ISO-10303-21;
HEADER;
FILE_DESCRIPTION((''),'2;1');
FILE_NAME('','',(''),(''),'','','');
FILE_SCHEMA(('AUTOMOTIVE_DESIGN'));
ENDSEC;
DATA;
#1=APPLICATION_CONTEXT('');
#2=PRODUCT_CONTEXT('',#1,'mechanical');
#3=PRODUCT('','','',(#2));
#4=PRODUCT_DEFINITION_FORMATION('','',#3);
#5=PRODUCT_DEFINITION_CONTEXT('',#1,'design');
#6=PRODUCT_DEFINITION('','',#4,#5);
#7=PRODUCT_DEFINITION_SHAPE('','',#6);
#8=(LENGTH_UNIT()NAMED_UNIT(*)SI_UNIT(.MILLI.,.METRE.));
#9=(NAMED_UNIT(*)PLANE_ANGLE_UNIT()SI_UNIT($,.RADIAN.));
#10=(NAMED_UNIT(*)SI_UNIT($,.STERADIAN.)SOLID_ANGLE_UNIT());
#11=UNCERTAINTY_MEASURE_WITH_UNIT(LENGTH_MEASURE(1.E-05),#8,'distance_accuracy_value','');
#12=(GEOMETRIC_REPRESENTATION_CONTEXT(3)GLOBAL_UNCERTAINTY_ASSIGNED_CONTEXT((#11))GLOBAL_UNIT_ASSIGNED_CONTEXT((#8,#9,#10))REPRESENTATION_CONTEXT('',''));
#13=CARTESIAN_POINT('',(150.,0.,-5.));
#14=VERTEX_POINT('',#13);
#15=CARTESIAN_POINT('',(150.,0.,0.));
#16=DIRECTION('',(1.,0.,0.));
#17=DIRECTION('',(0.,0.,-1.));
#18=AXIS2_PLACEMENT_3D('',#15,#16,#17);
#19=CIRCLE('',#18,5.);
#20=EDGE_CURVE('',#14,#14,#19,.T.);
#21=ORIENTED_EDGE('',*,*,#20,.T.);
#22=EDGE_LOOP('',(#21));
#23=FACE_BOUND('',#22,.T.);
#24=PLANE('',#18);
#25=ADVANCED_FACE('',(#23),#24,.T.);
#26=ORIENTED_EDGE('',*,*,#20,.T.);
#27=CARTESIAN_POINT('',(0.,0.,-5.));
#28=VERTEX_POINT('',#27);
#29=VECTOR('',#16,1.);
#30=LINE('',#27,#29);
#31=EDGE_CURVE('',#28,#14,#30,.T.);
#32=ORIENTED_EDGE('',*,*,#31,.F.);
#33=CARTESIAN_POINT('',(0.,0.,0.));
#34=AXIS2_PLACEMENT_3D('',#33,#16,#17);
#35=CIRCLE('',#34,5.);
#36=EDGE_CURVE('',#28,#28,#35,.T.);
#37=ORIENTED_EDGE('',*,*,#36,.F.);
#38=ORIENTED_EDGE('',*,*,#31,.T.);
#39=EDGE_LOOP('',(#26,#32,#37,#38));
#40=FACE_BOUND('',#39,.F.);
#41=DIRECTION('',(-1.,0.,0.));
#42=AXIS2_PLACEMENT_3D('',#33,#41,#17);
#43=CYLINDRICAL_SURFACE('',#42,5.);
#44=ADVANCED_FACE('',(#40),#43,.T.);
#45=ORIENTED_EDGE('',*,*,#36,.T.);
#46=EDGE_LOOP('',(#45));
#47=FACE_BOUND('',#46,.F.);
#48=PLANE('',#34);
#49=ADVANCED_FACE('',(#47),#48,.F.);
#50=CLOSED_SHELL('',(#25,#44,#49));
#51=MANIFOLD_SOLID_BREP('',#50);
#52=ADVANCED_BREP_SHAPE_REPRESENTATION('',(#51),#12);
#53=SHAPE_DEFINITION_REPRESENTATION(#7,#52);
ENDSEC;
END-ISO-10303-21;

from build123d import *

# Parameters (mm, degrees)
SKETCH_1_R      = 5
EXTRUDE_1_DEPTH = 150


with BuildPart() as part:
    # 草图1 → 凸台-拉伸1 (new body)
    with BuildSketch(Plane(origin=(0, 0, 0), x_dir=(0, 0, -1), z_dir=(1, 0, 0))):
        Circle(SKETCH_1_R)
    extrude(amount=EXTRUDE_1_DEPTH)


solid = part.part
